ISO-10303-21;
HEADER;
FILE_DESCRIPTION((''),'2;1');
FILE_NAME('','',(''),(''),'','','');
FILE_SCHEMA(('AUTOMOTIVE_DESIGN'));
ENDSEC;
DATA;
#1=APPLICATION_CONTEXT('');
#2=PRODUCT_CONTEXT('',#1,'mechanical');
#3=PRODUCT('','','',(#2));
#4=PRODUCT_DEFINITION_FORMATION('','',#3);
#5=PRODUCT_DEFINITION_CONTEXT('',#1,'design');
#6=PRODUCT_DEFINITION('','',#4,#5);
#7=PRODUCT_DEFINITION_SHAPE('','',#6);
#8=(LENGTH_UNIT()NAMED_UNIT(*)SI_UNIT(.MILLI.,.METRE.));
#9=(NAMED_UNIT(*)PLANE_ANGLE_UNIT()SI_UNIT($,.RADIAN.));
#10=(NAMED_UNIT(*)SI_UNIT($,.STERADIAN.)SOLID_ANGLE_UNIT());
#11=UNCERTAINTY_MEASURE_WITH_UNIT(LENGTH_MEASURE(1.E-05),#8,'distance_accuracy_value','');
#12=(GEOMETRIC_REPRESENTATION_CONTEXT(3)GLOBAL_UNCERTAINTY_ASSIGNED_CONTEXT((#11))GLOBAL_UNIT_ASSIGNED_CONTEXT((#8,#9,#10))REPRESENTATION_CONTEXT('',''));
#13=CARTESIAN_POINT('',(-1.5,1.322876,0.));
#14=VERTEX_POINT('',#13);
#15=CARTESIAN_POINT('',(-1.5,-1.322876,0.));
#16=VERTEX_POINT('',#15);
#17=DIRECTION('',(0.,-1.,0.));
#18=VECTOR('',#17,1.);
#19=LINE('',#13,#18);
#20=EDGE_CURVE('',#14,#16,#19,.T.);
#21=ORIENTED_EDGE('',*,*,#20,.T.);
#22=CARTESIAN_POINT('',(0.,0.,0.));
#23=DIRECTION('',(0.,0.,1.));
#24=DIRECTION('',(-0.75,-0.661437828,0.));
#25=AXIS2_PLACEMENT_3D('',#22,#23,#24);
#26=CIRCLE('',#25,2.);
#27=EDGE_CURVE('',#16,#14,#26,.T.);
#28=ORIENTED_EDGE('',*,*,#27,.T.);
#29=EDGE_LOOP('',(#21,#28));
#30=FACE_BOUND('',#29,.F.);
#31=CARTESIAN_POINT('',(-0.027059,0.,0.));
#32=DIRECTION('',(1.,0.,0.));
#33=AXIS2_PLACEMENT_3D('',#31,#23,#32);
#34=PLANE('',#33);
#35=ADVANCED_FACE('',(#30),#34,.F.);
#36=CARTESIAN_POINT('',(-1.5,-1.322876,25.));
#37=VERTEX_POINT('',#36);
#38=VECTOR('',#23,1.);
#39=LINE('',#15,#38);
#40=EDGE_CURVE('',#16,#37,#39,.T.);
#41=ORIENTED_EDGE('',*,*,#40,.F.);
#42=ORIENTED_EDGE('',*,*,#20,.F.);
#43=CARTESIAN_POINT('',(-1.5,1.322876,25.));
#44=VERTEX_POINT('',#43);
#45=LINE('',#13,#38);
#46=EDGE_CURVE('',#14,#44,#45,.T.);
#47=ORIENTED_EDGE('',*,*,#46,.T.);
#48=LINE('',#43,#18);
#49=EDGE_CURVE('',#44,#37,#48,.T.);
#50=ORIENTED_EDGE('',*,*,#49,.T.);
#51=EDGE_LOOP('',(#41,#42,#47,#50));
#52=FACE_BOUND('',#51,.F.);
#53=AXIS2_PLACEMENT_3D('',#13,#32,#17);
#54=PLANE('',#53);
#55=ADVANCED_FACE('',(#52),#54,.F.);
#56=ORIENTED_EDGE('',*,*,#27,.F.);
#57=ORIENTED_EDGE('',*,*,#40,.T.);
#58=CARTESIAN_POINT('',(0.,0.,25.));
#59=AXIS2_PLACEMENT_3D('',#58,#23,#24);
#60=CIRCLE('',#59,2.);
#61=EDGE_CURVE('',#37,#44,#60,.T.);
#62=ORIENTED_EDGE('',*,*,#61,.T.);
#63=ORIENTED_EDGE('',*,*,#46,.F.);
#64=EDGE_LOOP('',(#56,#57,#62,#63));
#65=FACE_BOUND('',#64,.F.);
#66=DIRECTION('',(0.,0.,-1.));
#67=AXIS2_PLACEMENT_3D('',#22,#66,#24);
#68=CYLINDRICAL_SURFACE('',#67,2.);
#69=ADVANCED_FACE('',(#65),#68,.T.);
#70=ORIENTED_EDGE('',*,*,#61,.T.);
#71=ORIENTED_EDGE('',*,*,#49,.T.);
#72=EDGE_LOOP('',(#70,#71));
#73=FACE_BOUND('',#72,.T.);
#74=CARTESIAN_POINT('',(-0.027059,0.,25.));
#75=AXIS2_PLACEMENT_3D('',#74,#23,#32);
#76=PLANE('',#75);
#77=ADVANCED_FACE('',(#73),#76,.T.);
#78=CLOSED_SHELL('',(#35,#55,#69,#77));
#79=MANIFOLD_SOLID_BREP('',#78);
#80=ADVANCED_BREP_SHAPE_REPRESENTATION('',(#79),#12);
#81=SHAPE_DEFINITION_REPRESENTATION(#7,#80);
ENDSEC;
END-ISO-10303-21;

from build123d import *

# Parameters (mm, degrees)
BOSS_EXTRUDE1_DEPTH = 25


with BuildPart() as part:
    # Sketch1 → Boss-Extrude1 (new body)
    with BuildSketch(Plane.XY):
        with BuildLine():
            Line((-1.5, 1.322875656), (-1.5, -1.322875656))
            ThreePointArc((-1.5, -1.322875656), (2, 0), (-1.5, 1.322875656))
        make_face()
    extrude(amount=BOSS_EXTRUDE1_DEPTH)


solid = part.part
